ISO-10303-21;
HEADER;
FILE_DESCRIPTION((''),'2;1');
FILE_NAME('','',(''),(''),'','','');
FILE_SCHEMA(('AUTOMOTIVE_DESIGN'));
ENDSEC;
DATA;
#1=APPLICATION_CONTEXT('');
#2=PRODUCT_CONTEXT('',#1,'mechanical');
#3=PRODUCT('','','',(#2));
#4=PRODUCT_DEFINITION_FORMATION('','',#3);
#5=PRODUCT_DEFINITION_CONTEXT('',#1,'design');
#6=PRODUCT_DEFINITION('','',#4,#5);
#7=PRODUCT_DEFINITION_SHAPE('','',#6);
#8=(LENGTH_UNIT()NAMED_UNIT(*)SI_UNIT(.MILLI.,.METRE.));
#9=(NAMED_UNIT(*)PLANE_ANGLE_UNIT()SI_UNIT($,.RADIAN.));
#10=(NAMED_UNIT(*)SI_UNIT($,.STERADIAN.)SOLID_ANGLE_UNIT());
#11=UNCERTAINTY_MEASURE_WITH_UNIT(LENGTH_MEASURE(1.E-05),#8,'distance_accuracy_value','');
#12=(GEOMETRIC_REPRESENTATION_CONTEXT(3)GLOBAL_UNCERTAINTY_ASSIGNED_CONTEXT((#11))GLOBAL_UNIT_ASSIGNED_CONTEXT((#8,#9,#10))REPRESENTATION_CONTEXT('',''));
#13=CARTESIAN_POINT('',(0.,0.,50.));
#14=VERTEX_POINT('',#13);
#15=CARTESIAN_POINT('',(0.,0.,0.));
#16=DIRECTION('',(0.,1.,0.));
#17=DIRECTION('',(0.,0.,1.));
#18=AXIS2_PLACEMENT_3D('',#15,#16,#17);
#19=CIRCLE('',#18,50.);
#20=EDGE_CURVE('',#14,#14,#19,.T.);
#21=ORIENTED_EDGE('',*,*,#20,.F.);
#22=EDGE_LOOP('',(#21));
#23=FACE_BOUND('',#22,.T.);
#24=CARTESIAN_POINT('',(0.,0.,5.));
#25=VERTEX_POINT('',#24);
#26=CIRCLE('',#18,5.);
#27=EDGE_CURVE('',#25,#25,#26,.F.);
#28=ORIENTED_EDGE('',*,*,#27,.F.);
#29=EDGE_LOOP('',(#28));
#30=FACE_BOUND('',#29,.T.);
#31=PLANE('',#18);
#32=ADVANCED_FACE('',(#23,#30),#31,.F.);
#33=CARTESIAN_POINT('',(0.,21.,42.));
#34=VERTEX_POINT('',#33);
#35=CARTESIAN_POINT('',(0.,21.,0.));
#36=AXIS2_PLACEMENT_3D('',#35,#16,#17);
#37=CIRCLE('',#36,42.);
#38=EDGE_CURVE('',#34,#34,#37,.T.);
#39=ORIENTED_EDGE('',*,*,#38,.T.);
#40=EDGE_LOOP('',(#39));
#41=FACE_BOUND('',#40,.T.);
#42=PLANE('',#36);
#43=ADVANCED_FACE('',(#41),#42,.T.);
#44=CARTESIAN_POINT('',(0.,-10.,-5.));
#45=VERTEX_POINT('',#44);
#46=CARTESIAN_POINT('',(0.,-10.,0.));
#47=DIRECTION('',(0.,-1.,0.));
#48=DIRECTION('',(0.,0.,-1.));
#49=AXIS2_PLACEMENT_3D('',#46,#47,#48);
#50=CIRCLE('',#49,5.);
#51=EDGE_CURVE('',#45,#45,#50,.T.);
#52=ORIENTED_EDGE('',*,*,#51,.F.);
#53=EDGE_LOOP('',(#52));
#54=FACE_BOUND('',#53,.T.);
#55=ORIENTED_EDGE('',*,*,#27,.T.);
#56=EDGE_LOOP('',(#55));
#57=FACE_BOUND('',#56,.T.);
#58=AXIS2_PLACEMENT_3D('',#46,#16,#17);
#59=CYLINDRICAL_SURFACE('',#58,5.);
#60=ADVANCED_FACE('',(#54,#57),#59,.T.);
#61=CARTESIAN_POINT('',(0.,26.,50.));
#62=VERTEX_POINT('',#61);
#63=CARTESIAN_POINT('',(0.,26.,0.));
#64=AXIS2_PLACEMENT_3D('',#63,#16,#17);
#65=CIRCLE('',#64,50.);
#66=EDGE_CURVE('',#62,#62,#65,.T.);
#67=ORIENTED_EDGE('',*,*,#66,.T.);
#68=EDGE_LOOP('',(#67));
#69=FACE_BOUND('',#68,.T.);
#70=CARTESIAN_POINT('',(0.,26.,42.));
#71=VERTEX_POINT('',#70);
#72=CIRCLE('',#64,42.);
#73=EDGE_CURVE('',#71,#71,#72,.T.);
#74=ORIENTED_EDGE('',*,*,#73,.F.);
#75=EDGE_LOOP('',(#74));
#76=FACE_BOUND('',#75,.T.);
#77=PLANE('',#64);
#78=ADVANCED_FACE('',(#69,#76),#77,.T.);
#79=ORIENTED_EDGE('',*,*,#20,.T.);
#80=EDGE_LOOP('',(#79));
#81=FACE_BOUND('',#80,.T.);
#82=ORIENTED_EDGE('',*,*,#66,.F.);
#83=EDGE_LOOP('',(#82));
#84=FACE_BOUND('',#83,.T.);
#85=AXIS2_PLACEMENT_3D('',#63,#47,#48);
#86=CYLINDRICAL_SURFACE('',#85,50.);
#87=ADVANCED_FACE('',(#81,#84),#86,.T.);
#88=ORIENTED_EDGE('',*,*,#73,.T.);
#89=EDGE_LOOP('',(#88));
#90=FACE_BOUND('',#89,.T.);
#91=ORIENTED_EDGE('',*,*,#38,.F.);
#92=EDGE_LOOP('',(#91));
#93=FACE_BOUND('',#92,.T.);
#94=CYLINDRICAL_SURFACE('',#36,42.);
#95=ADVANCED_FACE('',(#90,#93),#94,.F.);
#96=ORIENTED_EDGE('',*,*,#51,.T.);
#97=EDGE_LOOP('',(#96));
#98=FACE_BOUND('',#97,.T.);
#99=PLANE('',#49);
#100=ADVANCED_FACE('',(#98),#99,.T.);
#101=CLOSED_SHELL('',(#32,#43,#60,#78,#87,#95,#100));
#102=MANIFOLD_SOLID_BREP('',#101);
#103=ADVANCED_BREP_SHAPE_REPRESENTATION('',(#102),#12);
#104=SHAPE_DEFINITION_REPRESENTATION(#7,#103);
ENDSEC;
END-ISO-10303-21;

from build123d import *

# Parameters (mm, degrees)
SKETCH1_R                       = 50
BOSS_EXTRUDE1_DEPTH             = 26
SKETCH2_R                       = 42
CUT_EXTRUDE1_DEPTH              = 5
SKETCH3_R                       = 5
HUB_DISTANCE_TO_WORK_WITH_DEPTH = 10


with BuildPart() as part:
    # Sketch1 → Boss-Extrude1 (new body)
    with BuildSketch(Plane(origin=(0, 0, 0), x_dir=(1, 0, 0), z_dir=(0, 1, 0))):
        Circle(SKETCH1_R)
    extrude(amount=BOSS_EXTRUDE1_DEPTH)

    # Sketch2 → Cut-Extrude1 (cut)
    with BuildSketch(Plane(origin=(0, 26, 0), x_dir=(1, 0, 0), z_dir=(0, 1, 0))):
        Circle(SKETCH2_R)
    extrude(amount=-CUT_EXTRUDE1_DEPTH, mode=Mode.SUBTRACT)

    # Sketch3 → hub_distance_to_work_with (add)
    with BuildSketch(Plane.XZ):
        Circle(SKETCH3_R)
    extrude(amount=HUB_DISTANCE_TO_WORK_WITH_DEPTH)


solid = part.part
